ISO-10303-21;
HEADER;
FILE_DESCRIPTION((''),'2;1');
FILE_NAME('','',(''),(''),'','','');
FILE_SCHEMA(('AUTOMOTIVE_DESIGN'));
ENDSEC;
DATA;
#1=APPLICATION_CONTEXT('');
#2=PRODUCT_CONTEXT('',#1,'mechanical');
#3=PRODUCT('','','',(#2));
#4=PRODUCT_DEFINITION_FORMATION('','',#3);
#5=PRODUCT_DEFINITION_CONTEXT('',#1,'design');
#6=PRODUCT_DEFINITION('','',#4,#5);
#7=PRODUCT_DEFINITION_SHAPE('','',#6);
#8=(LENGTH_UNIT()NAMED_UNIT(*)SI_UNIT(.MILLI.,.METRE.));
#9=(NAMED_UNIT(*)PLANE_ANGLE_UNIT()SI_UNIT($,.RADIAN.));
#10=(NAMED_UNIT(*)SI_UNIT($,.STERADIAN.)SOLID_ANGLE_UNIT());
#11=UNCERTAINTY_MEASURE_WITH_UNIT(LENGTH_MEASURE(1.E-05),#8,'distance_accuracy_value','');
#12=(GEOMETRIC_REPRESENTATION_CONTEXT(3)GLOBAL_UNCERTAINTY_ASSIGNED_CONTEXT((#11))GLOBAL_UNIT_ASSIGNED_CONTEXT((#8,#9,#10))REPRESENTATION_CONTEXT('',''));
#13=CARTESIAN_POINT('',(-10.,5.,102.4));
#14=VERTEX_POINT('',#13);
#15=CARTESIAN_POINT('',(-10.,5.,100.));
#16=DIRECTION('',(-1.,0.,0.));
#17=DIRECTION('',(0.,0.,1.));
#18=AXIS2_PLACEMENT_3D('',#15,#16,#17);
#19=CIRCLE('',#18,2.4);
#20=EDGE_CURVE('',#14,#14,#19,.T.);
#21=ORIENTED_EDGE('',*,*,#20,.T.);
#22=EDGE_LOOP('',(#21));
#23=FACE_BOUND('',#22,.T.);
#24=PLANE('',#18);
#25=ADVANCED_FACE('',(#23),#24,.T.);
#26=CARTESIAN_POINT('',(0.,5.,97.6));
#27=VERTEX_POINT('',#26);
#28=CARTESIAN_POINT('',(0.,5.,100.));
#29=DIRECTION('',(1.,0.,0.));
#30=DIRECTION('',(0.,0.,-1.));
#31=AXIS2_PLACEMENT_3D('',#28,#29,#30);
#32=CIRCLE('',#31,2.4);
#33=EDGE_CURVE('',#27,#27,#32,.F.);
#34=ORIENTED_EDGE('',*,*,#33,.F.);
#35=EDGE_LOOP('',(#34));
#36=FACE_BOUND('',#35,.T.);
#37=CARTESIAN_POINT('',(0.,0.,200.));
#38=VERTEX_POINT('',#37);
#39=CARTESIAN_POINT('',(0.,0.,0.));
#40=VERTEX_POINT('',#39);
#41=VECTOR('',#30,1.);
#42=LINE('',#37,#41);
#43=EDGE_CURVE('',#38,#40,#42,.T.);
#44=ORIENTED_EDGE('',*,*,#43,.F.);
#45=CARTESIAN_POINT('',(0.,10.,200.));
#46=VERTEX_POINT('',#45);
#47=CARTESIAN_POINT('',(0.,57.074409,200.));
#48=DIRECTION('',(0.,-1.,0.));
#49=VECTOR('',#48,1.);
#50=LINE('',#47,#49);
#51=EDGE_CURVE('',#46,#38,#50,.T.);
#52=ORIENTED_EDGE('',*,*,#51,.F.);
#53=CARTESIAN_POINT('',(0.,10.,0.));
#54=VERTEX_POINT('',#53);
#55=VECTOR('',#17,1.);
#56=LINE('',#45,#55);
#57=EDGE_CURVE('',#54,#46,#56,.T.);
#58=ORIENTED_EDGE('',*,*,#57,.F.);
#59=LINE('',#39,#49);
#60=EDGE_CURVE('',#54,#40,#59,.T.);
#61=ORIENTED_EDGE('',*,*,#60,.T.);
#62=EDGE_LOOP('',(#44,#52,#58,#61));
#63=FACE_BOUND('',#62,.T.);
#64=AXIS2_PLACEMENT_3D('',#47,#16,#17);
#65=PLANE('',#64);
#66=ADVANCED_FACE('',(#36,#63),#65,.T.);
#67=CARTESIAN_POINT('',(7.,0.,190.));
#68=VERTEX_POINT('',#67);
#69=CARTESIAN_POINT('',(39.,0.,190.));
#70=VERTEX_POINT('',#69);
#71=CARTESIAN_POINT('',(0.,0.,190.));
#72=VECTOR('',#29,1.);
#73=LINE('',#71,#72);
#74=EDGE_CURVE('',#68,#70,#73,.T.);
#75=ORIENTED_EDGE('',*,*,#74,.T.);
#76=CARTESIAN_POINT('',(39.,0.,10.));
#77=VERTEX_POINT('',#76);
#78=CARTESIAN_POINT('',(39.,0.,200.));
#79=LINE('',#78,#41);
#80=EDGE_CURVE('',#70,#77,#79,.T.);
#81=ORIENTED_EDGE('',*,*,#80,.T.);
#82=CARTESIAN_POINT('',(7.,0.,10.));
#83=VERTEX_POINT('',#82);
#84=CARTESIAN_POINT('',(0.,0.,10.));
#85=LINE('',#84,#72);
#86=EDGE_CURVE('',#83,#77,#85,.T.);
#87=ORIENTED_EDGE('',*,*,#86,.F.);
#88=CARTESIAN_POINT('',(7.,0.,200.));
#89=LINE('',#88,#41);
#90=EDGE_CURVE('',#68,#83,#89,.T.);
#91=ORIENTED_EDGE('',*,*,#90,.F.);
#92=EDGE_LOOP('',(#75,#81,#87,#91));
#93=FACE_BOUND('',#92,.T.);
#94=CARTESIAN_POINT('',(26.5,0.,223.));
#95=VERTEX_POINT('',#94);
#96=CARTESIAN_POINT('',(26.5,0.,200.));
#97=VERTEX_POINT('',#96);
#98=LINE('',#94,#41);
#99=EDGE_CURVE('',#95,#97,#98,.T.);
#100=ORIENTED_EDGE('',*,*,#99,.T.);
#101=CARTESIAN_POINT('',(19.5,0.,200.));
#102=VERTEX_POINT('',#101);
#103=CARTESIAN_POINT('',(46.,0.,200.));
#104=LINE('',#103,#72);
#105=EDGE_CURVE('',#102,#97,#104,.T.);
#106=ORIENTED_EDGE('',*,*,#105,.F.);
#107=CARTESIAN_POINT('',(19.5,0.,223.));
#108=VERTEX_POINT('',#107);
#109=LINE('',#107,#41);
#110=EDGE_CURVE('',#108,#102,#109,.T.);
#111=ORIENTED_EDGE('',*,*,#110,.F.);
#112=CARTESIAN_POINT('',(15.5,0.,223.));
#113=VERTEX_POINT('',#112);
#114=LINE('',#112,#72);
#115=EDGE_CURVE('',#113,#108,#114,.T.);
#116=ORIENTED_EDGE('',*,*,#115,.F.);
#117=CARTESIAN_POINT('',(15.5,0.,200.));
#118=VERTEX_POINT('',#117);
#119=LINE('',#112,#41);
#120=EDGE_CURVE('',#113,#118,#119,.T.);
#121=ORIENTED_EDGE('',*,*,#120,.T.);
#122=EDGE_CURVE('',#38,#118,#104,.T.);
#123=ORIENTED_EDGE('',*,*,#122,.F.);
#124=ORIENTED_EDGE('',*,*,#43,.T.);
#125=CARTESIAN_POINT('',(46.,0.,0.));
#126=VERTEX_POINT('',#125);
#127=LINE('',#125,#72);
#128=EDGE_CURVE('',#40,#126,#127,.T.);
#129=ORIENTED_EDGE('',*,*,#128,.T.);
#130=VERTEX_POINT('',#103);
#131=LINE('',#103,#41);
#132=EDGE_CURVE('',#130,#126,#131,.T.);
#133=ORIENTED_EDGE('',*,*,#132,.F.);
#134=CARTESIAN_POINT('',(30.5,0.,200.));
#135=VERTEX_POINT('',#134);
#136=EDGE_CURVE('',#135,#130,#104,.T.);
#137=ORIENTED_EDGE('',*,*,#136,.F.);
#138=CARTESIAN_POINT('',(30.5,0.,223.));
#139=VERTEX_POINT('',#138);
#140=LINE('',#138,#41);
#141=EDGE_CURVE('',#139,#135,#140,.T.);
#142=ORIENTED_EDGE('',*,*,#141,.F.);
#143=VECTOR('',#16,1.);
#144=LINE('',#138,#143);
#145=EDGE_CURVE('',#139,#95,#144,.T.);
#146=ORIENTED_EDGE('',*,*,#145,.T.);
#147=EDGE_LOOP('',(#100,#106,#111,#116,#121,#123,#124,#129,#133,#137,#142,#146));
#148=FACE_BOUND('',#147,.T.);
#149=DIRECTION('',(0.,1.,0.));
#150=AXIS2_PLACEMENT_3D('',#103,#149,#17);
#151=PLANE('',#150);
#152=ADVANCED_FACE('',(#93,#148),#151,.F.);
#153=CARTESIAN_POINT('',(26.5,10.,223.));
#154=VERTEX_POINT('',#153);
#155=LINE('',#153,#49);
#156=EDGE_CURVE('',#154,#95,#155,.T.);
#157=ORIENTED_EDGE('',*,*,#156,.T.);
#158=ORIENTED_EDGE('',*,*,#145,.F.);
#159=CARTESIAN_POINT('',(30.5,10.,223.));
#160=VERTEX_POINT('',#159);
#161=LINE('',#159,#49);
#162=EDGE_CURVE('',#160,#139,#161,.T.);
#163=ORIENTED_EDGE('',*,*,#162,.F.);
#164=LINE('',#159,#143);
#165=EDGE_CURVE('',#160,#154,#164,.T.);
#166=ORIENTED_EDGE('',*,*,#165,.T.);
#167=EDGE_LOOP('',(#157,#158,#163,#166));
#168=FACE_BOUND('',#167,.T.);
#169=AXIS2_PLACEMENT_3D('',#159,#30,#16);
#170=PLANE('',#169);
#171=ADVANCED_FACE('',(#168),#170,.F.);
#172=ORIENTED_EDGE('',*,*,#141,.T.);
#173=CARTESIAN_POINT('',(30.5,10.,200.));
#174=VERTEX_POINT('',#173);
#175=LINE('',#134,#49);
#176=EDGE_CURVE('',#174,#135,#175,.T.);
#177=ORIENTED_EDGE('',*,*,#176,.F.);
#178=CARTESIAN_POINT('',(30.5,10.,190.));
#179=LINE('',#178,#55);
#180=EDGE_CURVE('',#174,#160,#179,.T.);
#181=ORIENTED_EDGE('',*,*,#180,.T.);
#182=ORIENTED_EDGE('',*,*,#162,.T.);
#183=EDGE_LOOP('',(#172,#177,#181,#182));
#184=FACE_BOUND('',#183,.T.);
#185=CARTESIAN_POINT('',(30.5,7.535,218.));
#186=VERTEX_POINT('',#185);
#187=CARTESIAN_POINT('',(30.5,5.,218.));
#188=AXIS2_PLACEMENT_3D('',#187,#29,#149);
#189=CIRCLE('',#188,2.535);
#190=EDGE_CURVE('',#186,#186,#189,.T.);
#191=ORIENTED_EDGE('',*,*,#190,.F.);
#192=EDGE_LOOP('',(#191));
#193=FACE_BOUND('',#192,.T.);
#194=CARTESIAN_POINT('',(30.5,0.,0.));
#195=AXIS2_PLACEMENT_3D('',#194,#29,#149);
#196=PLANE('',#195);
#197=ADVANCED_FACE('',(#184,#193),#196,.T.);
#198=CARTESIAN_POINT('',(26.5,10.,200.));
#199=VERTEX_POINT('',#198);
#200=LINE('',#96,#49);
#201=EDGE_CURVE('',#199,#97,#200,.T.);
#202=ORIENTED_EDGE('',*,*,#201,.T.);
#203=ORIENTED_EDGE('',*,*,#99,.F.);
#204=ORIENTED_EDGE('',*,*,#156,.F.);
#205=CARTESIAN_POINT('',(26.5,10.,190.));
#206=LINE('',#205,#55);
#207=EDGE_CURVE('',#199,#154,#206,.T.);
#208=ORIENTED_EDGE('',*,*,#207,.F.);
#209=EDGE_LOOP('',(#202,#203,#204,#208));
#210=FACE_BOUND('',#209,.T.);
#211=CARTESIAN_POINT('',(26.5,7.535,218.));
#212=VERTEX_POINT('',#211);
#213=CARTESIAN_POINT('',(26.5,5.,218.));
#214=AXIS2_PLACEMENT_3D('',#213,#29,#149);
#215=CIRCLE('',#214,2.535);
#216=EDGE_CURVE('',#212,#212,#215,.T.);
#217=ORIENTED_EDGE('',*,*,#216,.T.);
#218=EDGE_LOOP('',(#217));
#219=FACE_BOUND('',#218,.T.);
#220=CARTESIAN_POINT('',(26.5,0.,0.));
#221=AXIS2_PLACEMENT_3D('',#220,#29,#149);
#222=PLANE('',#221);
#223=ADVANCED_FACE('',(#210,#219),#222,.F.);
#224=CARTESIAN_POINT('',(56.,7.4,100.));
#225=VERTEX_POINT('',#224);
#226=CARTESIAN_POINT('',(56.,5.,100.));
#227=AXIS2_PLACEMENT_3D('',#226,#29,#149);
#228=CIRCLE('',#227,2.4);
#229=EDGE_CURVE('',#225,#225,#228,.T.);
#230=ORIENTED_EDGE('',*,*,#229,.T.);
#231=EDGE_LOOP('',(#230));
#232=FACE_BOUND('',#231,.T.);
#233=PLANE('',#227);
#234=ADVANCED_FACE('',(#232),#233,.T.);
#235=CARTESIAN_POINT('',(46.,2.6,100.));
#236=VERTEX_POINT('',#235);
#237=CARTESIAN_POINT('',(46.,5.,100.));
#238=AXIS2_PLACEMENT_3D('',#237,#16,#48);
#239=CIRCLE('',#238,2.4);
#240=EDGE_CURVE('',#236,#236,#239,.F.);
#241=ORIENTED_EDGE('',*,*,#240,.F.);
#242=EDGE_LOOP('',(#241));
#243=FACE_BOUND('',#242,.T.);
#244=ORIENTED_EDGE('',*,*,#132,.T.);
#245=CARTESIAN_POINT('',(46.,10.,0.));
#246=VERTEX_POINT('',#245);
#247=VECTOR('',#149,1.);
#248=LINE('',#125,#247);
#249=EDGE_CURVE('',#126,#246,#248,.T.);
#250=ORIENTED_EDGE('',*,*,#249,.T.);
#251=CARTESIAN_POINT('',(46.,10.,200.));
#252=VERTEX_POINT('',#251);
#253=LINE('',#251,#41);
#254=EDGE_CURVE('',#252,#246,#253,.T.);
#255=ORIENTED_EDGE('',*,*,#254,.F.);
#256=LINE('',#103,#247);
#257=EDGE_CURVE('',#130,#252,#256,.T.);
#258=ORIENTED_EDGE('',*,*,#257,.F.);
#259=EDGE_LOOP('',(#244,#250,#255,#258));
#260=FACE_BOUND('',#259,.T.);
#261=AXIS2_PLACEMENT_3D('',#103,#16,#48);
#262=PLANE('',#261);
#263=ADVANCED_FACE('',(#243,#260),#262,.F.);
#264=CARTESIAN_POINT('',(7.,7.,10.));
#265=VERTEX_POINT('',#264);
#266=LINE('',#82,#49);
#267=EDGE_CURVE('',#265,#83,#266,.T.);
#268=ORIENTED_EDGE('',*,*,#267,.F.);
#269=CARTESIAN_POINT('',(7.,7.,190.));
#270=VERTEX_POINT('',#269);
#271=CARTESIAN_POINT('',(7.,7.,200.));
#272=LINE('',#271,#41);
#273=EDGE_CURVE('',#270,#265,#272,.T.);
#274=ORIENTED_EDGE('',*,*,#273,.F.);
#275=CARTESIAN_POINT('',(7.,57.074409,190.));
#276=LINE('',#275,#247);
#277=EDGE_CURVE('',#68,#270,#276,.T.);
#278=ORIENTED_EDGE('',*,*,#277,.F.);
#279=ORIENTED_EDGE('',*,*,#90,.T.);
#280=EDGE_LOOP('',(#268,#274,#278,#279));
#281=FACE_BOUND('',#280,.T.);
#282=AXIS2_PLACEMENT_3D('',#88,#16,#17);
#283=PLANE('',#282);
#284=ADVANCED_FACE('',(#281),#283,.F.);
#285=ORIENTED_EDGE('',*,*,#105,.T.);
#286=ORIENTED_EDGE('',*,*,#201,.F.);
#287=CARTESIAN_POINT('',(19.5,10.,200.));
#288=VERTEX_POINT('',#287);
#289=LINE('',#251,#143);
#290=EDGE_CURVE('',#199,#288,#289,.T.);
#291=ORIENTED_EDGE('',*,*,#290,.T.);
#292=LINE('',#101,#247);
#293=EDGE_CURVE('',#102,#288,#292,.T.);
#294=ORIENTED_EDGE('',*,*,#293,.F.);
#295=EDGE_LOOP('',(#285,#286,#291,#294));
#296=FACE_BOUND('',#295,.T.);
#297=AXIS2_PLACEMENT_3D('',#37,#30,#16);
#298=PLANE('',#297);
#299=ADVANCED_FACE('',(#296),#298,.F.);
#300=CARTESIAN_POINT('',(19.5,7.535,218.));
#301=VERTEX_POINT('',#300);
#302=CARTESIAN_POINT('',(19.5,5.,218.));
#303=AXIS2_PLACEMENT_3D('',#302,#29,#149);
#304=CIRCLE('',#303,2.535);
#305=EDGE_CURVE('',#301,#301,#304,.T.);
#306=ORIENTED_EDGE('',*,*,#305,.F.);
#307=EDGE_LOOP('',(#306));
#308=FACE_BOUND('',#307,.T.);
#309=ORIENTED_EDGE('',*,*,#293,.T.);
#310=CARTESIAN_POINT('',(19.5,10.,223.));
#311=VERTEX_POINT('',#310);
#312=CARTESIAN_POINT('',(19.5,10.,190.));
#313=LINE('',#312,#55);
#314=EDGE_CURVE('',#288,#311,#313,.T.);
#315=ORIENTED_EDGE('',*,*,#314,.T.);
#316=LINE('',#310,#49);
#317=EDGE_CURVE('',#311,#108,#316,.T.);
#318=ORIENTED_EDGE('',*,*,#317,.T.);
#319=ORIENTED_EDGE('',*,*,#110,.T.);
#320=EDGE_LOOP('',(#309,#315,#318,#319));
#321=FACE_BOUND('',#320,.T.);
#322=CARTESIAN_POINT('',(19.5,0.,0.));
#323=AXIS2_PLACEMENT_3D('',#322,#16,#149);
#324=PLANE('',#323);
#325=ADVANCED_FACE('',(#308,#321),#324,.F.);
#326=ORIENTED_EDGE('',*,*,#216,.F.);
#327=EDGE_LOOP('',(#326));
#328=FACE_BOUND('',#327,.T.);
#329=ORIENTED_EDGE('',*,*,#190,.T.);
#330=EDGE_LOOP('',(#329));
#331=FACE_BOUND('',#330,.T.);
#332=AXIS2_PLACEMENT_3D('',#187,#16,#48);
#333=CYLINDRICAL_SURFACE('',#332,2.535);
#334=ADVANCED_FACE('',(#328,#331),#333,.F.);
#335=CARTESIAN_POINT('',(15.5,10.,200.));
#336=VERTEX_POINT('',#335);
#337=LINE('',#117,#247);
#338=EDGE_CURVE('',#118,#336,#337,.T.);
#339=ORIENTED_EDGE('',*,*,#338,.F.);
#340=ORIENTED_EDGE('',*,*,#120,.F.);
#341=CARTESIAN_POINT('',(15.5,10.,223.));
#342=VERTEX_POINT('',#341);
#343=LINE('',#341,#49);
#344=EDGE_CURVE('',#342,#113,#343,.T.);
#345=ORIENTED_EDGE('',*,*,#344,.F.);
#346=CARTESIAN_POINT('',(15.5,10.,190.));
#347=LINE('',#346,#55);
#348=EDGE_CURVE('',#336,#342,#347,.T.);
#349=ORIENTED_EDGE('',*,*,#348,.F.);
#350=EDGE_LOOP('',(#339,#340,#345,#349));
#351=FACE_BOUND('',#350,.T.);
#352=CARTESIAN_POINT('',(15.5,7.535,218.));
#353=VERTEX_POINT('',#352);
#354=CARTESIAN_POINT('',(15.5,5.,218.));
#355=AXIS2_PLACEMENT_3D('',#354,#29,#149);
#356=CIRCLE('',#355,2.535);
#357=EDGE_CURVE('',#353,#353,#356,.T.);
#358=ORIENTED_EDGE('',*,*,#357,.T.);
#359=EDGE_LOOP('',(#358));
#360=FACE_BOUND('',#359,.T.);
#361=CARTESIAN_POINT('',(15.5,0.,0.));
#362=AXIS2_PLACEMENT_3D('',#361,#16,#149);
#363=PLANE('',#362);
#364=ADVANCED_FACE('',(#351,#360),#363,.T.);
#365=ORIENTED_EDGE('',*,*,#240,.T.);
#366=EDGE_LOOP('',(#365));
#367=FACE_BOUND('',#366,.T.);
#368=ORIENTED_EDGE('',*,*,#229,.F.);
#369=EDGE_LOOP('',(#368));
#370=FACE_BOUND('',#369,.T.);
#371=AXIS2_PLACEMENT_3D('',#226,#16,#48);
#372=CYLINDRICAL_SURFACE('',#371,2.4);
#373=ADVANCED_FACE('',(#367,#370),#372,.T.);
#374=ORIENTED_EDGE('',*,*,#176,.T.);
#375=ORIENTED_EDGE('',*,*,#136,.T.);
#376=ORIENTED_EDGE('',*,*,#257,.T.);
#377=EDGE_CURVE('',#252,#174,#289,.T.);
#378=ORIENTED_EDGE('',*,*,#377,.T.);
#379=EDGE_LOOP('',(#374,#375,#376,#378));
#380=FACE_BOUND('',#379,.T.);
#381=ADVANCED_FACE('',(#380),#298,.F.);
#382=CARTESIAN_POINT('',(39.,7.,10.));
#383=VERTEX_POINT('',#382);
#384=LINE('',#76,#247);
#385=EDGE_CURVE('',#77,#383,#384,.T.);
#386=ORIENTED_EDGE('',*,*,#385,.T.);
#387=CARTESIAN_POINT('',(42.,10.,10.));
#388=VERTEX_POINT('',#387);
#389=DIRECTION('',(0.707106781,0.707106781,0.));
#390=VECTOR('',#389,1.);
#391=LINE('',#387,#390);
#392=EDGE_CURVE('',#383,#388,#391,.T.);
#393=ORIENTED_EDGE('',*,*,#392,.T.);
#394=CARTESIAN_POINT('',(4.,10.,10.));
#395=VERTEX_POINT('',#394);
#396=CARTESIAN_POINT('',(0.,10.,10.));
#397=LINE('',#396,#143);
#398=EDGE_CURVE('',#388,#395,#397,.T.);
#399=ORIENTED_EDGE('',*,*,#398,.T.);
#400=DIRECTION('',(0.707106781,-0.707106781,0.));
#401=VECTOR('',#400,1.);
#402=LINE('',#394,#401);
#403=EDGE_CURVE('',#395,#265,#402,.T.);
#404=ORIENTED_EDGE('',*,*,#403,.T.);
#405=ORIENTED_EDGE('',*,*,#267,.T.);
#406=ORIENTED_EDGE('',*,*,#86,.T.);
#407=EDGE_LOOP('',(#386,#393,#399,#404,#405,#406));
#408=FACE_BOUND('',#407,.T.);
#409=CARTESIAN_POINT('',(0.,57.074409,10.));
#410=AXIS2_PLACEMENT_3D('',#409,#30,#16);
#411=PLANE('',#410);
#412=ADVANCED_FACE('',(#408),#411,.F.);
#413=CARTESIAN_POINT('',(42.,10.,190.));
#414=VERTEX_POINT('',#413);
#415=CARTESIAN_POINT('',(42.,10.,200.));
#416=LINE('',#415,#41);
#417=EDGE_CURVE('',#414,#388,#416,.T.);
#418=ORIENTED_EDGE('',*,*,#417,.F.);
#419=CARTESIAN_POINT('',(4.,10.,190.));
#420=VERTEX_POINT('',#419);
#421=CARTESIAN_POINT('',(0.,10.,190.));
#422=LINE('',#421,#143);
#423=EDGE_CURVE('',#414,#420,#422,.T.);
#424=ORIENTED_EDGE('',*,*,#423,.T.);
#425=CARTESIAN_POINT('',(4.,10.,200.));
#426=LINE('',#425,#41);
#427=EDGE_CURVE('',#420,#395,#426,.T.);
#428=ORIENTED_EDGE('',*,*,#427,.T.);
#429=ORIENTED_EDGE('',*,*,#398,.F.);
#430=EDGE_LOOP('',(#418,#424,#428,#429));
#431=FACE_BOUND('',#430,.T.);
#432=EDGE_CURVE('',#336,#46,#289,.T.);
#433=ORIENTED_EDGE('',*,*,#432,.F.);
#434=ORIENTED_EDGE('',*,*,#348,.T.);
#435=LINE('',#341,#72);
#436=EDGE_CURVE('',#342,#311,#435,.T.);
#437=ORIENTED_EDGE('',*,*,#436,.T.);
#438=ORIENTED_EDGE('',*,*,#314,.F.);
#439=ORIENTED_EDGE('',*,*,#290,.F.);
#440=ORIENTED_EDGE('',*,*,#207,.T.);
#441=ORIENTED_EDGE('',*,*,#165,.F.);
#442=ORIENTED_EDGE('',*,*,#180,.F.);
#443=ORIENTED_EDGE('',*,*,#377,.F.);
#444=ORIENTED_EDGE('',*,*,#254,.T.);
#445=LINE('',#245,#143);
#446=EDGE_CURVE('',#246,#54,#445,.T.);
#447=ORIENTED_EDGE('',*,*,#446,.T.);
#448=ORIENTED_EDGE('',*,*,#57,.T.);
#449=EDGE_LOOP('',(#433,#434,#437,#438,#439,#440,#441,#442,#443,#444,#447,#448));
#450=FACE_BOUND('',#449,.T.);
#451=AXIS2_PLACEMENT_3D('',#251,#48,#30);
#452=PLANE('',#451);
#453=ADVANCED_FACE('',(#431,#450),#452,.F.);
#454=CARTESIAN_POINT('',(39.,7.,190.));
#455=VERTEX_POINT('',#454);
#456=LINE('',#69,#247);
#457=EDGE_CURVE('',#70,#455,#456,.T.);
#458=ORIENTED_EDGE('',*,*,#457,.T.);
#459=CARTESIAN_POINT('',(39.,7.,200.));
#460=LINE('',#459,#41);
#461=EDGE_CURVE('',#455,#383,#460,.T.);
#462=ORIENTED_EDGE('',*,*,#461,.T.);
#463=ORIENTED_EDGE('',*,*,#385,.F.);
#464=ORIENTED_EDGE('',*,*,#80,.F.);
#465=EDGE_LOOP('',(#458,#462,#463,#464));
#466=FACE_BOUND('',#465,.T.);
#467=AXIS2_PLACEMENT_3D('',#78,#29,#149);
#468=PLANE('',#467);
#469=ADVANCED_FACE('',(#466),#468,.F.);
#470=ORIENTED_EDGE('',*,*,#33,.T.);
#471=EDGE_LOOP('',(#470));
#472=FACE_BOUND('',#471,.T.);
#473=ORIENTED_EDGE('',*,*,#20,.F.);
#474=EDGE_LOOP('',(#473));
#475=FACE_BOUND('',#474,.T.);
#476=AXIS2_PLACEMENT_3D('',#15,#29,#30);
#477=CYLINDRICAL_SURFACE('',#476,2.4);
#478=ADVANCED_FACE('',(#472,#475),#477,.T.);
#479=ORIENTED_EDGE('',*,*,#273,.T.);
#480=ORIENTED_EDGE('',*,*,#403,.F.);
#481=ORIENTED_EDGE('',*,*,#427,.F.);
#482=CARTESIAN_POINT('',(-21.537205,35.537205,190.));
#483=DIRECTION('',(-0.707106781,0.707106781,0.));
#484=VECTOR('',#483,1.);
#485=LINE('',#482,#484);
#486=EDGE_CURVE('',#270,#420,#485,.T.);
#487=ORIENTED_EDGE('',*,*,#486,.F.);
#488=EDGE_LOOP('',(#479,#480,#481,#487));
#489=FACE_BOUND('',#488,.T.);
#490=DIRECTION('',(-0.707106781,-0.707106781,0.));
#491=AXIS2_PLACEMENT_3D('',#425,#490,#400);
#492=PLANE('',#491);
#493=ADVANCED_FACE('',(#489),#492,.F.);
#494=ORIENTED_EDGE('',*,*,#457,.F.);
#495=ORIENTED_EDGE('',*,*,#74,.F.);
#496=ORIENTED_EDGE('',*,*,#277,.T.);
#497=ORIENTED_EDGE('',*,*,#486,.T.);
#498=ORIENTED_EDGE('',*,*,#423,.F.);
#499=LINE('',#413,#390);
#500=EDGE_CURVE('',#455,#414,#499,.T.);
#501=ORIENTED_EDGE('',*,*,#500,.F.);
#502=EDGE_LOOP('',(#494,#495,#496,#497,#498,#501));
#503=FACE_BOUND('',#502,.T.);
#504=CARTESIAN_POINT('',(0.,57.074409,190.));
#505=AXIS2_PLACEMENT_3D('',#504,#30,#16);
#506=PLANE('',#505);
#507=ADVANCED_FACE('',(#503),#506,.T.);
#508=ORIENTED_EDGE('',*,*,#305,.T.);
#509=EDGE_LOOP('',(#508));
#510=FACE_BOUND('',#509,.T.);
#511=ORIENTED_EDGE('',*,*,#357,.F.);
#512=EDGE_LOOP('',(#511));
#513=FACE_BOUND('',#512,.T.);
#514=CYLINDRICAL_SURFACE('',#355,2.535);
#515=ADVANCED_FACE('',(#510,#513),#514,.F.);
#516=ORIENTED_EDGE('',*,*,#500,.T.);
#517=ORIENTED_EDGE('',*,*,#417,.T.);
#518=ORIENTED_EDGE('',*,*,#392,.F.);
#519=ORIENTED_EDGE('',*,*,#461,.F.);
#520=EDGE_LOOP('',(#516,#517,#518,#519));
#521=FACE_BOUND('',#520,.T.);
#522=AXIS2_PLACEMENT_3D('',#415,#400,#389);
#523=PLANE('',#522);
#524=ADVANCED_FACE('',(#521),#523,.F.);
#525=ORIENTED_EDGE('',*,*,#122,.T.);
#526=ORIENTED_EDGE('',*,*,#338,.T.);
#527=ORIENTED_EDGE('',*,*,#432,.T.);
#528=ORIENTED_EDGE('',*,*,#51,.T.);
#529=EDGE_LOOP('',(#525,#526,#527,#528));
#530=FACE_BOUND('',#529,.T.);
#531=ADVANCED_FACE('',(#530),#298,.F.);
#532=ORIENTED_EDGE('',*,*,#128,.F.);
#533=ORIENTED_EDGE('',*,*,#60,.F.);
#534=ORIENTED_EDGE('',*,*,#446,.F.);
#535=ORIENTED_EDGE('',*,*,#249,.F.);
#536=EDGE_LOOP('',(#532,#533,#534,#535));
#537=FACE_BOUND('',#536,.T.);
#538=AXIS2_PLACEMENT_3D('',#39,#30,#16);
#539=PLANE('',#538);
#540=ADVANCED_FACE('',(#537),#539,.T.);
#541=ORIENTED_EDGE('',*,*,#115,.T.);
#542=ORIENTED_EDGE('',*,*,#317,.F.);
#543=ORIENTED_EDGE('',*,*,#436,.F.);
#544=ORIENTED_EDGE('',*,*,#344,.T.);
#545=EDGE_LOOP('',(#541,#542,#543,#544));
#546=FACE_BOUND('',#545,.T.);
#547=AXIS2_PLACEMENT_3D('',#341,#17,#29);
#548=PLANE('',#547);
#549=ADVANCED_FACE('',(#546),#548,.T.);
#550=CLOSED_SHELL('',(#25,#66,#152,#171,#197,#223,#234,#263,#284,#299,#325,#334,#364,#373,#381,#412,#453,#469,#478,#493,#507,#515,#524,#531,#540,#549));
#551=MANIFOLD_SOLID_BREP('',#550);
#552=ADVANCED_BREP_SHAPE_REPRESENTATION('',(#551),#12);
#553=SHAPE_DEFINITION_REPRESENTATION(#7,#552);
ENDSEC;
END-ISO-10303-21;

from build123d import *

# Parameters (mm, degrees)
BOSS_EXTRUDE1_DEPTH   = 200
BOSS_EXTRUDE1_2_DEPTH = 200
SKETCH2_R             = 2.4
BOSS_EXTRUDE2_DEPTH   = 10
SKETCH3_R             = 2.4
BOSS_EXTRUDE3_DEPTH   = 10
SKETCH4_W             = 46
SKETCH4_H             = 10
BOSS_EXTRUDE4_DEPTH   = 10
BOSS_EXTRUDE5_START   = 3.5
SKETCH5_W             = 33
SKETCH5_H             = 10
SKETCH5_R             = 2.535
BOSS_EXTRUDE5_DEPTH   = 4


with BuildPart() as part:
    # Sketch1 → Boss-Extrude1 (new body)
    with BuildSketch(Plane.XY):
        Polygon((4, 10), (7, 7), (7, 0), (0, 0), (0, 10), align=None)
    extrude(amount=BOSS_EXTRUDE1_DEPTH)

    # Sketch3 → Boss-Extrude3 (add)
    with BuildSketch(Plane.ZY):
        with Locations((100, 5)):
            Circle(SKETCH3_R)
    extrude(amount=BOSS_EXTRUDE3_DEPTH)



with BuildPart() as body_2:
    # Sketch1 → Boss-Extrude1 2 (new body)
    with BuildSketch(Plane.XY):
        Polygon((39, 0), (39, 7), (42, 10), (46, 10), (46, 0), align=None)
    extrude(amount=BOSS_EXTRUDE1_2_DEPTH)

    # Sketch2 → Boss-Extrude2 (add)
    with BuildSketch(Plane(origin=(46, 0, 0), x_dir=(0, 0, -1), z_dir=(1, 0, 0))):
        with Locations((-100, 5)):
            Circle(SKETCH2_R)
    extrude(amount=BOSS_EXTRUDE2_DEPTH)


with BuildPart() as part_1:
    add(part.part)

    add(body_2.part)  # Boss-Extrude4 merges body 2
    # Sketch4 → Boss-Extrude4 (add)
    with BuildSketch(Plane.XZ):
        with Locations((23, 195)):
            Rectangle(SKETCH4_W, SKETCH4_H)
    boss_extrude4 = extrude(amount=-BOSS_EXTRUDE4_DEPTH)

    # Mirror3: Boss-Extrude4 across plane
    add(boss_extrude4.mirror(Plane(origin=(0, 0, 100), x_dir=(1, 0, 0), z_dir=(0, 0, -1))))

    # Sketch5 → Boss-Extrude5 (add)
    with BuildSketch(Plane(origin=(23, 0, 0), x_dir=(0, 0, -1), z_dir=(1, 0, 0)).offset(BOSS_EXTRUDE5_START)):
        with Locations((-206.5, 5)):
            Rectangle(SKETCH5_W, SKETCH5_H)
        with Locations((-218, 5)):
            Circle(SKETCH5_R, mode=Mode.SUBTRACT)
    boss_extrude5 = extrude(amount=BOSS_EXTRUDE5_DEPTH)

    # Mirror4: Boss-Extrude5 across plane
    add(boss_extrude5.mirror(Plane(origin=(23, 0, 0), x_dir=(0, 0, 1), z_dir=(1, 0, 0))))


solid = part_1.part
